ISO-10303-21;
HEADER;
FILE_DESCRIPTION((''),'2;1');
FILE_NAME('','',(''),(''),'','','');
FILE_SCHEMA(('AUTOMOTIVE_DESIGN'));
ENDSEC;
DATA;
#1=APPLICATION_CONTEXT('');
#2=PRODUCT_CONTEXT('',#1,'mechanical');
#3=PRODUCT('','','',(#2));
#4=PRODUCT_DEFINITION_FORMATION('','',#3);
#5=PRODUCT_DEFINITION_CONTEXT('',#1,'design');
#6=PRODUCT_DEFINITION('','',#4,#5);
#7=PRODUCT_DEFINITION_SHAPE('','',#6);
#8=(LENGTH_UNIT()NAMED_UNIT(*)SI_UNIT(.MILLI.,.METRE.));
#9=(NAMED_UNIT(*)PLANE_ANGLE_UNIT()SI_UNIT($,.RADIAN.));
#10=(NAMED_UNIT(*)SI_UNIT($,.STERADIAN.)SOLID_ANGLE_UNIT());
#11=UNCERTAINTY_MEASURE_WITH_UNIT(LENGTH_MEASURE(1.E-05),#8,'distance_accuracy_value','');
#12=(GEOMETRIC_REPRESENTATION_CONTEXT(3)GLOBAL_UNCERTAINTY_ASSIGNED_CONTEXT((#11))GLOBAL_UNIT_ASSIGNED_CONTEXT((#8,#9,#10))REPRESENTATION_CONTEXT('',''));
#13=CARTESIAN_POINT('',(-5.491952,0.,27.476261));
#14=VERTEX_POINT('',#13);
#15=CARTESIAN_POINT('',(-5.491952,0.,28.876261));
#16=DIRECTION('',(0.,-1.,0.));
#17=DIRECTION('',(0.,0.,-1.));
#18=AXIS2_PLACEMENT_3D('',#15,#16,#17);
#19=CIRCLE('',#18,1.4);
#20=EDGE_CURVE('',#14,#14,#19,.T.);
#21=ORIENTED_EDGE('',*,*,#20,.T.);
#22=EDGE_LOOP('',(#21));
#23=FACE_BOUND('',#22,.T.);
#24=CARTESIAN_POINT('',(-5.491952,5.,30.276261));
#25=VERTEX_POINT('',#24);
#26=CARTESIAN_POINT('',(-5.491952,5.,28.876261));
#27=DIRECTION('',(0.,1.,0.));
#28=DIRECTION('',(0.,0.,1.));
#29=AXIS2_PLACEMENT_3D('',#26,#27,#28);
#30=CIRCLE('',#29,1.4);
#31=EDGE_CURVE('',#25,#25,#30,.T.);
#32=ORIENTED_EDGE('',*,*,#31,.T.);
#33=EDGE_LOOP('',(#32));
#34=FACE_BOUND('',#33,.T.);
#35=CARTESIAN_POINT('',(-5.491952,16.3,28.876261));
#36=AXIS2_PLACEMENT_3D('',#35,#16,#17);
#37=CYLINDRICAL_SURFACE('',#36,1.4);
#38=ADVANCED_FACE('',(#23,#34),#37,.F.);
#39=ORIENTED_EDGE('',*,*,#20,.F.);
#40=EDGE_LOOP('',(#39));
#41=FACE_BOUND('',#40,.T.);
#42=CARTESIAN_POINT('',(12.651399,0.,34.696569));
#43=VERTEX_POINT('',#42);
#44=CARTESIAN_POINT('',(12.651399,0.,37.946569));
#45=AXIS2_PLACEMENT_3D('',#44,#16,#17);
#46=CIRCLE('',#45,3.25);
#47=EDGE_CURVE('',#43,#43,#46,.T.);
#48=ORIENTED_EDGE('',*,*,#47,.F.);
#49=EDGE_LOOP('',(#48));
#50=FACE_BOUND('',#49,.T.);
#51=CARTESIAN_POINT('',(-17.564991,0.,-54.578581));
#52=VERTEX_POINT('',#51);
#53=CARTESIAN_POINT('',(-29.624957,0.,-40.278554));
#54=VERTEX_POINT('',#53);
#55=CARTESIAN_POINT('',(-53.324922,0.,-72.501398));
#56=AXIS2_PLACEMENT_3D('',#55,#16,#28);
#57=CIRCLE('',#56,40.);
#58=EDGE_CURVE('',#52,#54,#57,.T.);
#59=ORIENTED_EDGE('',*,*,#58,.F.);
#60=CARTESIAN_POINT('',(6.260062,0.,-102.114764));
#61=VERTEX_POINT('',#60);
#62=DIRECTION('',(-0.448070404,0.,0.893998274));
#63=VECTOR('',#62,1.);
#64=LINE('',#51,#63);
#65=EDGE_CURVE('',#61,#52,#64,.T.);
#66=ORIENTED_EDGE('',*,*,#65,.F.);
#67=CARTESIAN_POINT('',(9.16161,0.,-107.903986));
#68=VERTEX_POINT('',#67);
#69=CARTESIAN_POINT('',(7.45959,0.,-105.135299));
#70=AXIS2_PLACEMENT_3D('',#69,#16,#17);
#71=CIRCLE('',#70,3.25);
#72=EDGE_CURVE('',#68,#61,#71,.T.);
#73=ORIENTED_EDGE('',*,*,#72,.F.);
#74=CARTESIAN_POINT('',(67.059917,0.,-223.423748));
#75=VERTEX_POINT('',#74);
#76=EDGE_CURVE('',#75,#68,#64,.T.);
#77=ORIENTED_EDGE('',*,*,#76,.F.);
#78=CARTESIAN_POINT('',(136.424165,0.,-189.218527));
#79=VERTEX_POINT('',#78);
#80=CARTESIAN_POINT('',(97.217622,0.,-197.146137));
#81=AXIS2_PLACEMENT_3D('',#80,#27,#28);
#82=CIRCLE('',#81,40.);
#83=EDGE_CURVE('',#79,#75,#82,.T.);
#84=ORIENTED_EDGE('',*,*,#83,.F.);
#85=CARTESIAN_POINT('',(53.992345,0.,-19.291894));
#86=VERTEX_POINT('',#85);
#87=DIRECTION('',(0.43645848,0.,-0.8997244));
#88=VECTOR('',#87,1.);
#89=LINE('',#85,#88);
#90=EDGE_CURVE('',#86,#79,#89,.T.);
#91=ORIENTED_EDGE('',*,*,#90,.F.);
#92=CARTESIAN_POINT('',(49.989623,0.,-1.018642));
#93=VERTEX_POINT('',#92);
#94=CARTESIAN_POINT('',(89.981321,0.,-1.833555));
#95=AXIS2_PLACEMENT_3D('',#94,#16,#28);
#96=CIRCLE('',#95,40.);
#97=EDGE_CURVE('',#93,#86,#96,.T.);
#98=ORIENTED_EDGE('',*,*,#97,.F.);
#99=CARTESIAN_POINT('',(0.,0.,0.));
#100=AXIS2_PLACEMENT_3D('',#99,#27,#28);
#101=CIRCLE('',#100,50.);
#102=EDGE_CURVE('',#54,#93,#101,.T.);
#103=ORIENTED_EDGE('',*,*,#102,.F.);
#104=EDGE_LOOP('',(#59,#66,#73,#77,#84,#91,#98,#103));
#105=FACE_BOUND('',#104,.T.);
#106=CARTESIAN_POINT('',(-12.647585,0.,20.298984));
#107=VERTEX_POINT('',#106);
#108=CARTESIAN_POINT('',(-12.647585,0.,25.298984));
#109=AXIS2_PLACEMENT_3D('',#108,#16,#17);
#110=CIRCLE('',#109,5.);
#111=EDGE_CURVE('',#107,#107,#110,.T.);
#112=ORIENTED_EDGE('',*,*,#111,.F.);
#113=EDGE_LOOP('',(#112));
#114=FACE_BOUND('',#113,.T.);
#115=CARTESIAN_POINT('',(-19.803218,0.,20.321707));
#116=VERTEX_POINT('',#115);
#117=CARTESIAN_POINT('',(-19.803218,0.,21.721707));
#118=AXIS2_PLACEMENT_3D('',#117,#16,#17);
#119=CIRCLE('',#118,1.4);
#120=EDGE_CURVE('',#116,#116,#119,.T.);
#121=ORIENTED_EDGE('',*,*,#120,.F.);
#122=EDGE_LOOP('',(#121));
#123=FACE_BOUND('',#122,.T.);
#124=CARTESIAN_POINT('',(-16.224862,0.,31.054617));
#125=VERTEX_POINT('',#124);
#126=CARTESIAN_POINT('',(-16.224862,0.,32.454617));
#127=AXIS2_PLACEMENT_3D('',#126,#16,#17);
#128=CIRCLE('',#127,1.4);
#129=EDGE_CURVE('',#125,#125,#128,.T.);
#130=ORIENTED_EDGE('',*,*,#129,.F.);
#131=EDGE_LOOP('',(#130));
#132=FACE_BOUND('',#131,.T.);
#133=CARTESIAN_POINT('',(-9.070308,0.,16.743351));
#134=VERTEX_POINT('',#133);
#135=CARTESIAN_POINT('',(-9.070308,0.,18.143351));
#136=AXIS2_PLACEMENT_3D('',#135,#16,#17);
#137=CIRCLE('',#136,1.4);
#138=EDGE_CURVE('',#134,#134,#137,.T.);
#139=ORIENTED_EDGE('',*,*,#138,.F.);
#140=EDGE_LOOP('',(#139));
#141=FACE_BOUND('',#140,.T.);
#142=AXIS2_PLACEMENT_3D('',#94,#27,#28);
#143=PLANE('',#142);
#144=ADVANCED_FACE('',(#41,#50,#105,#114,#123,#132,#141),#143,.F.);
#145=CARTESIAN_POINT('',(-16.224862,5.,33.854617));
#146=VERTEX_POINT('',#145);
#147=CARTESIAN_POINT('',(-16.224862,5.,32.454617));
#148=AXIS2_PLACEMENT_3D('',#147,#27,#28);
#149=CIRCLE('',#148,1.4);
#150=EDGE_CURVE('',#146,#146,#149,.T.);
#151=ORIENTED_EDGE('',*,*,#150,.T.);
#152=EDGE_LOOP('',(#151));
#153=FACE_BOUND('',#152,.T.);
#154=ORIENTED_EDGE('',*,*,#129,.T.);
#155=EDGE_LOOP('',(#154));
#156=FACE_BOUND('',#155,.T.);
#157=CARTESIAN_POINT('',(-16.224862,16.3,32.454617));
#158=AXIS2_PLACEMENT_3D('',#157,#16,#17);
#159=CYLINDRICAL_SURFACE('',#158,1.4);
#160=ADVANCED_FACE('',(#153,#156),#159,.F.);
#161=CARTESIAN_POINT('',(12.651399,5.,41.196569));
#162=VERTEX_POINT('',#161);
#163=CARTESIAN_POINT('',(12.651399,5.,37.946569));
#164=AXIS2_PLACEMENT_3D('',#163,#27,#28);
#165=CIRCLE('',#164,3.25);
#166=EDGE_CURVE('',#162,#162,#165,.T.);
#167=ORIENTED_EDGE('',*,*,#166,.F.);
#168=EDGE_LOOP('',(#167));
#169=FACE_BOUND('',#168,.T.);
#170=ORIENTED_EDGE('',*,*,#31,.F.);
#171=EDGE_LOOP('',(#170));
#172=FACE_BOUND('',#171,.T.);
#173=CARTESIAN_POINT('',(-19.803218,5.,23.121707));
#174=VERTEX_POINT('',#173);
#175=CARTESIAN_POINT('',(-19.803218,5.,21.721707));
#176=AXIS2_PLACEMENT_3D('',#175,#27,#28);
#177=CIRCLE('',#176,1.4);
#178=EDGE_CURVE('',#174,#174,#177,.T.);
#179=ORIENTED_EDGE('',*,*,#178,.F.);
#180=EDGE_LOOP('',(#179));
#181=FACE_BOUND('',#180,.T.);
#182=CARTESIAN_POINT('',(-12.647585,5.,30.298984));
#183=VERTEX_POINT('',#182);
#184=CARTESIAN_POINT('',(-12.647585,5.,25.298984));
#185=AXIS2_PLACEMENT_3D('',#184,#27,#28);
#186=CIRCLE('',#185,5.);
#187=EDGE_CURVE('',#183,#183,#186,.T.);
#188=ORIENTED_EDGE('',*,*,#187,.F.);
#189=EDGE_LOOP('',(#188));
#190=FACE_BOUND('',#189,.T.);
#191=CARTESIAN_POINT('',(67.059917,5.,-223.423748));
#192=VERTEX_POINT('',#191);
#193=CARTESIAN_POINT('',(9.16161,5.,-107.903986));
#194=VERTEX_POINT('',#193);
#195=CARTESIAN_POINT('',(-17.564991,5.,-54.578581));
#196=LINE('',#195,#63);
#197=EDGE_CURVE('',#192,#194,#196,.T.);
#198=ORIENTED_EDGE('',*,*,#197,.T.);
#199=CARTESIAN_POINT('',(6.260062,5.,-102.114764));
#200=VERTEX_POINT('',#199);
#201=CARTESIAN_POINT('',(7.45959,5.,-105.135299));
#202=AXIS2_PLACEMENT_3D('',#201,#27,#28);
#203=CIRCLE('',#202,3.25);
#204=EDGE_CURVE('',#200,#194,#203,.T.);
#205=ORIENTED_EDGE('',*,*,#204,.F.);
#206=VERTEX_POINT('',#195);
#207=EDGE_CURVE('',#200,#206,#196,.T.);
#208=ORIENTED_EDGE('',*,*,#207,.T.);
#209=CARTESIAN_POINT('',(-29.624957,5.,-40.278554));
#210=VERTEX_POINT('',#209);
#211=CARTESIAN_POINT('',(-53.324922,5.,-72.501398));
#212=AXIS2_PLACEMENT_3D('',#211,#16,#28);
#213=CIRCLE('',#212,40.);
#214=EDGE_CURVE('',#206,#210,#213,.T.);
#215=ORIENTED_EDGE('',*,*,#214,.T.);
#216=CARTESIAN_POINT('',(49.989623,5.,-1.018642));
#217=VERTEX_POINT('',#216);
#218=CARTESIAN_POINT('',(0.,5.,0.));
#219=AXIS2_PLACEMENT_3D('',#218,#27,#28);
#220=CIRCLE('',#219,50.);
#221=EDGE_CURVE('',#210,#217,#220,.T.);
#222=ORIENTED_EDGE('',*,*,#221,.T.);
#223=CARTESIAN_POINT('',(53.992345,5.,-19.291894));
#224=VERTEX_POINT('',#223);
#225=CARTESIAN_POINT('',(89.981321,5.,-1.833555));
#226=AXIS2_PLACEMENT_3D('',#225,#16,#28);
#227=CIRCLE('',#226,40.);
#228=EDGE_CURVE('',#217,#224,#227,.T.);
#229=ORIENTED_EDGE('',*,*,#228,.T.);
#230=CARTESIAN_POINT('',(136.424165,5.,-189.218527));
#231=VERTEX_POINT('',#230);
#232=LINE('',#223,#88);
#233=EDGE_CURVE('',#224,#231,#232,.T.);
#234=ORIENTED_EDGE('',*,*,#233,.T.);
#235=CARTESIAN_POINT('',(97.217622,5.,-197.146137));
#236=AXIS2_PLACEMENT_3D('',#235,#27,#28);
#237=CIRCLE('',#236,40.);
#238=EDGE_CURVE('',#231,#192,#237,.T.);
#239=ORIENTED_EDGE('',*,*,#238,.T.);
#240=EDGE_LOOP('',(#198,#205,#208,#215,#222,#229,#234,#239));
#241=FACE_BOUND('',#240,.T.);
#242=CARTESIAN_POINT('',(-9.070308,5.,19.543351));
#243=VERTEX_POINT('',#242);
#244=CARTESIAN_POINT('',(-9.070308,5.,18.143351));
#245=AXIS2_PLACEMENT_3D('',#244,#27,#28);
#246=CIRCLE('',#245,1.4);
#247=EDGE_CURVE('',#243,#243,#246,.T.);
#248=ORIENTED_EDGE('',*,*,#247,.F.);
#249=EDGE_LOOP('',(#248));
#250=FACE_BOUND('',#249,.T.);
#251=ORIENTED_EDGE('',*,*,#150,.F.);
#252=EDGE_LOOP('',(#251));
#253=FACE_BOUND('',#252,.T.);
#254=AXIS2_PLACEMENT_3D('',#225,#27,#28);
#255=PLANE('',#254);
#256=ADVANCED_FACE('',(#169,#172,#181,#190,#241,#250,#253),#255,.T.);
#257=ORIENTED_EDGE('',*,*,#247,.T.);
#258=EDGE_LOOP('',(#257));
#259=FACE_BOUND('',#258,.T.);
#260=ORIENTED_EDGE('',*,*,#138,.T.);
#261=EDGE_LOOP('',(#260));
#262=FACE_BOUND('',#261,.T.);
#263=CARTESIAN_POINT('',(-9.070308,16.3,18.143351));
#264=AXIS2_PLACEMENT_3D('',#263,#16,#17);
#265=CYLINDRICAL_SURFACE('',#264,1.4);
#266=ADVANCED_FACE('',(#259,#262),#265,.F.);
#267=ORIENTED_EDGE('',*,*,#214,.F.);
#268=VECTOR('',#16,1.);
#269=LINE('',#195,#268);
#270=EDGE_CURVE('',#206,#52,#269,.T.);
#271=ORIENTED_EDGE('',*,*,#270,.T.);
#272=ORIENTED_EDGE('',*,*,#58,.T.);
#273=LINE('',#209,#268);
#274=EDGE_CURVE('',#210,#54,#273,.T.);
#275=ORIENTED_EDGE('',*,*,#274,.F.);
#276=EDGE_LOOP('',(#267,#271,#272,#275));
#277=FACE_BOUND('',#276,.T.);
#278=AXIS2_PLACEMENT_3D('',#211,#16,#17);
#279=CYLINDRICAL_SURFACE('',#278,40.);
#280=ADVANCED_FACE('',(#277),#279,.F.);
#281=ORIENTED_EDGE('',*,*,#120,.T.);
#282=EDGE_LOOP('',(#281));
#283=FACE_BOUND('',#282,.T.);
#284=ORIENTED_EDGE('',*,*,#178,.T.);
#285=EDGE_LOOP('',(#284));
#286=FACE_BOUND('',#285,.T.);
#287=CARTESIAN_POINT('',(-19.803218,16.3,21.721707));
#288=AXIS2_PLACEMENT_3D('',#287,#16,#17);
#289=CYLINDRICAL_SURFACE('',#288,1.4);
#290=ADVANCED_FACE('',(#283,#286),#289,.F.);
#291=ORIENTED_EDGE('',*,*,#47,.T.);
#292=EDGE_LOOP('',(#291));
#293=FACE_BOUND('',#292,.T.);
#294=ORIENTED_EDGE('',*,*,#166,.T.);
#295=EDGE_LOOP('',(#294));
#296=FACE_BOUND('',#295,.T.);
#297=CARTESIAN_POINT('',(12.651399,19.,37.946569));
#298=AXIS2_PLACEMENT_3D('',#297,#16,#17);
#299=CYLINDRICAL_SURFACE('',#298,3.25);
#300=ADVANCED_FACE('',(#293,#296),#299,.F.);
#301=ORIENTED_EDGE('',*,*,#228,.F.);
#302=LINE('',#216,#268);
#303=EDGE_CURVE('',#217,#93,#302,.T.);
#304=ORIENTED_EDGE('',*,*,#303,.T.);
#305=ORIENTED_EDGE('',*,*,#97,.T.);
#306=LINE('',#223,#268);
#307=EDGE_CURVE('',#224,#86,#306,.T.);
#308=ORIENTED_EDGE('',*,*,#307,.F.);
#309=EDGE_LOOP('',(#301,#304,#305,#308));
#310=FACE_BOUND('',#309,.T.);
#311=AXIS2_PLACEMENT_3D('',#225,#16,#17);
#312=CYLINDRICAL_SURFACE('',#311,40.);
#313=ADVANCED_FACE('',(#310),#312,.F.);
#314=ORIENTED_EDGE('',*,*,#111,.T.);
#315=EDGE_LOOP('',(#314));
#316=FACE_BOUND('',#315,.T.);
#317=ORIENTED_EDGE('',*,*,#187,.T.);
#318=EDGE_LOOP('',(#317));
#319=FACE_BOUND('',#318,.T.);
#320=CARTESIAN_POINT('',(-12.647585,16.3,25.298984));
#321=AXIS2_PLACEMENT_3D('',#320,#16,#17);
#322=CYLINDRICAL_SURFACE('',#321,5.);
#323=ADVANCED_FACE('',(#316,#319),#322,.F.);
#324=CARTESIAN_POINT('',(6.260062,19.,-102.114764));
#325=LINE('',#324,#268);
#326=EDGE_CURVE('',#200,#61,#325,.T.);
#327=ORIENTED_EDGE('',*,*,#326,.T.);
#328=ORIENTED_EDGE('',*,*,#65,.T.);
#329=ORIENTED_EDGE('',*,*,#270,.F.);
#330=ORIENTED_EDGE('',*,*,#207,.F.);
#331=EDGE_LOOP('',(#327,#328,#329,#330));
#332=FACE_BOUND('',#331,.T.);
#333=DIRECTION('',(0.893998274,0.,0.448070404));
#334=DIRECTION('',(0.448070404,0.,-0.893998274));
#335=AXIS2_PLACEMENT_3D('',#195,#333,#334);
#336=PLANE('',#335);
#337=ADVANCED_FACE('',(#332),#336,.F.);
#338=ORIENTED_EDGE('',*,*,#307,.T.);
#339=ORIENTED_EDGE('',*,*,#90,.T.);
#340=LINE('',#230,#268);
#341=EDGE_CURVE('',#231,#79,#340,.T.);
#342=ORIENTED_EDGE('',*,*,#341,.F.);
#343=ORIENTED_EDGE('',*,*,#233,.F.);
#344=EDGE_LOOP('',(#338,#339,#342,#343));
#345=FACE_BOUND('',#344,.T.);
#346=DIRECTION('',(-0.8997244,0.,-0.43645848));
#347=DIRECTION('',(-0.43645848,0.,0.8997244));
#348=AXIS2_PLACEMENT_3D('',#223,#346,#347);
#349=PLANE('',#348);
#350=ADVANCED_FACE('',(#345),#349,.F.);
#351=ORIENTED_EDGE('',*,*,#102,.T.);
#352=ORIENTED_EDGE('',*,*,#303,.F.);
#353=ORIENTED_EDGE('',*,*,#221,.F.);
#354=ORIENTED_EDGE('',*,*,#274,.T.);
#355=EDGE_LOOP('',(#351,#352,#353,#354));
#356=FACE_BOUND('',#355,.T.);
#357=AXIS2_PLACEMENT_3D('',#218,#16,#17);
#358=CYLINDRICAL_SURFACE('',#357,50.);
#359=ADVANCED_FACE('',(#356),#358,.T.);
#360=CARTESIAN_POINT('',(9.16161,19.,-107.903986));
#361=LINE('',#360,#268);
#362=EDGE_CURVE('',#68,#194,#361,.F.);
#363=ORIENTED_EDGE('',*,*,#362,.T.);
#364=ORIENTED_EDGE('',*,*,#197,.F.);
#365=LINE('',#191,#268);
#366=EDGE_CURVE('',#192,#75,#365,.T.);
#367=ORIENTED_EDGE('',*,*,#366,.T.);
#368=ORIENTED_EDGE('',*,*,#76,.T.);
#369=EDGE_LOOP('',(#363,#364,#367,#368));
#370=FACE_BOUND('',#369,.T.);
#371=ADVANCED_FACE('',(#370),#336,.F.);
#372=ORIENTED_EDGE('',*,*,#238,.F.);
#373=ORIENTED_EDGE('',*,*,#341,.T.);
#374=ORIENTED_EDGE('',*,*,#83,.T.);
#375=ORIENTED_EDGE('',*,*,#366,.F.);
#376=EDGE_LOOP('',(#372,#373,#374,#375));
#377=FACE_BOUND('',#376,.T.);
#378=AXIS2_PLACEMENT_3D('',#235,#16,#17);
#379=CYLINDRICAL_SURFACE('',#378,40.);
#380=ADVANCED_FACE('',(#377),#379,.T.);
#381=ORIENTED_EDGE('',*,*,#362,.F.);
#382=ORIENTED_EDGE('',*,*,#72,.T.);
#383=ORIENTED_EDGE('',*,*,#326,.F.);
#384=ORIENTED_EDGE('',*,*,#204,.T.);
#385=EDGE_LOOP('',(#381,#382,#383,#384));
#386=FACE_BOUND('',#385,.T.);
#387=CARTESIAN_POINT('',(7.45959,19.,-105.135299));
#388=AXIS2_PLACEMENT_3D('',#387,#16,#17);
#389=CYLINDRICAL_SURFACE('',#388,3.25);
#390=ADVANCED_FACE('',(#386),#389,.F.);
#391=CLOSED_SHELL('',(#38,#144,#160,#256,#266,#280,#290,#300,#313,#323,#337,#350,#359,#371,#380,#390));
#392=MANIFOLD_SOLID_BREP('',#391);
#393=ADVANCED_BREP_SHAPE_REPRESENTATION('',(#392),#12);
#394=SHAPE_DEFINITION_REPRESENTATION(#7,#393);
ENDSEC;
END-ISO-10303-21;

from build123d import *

# Parameters (mm, degrees)
EXTRUDE_1_DEPTH     = 5
SKETCH_2_R          = 3.25
CUT_EXTRUDE_1_DEPTH = 19
SKETCH_3_R          = 1.4
SKETCH_3_R_2        = 5
CUT_EXTRUDE_3_DEPTH = 16.3


with BuildPart() as part:
    # 草图1 → 凸台-拉伸1 (new body)
    with BuildSketch(Plane(origin=(0, 0, 0), x_dir=(1, 0, 0), z_dir=(0, 1, 0))):
        with BuildLine():
            Line((-17.564991461, 54.578581424), (67.059916818, 223.42374787))
            ThreePointArc((67.059916818, 223.42374787), (114.908570146, 233.021342221), (136.424164559, 189.21852679))
            Line((136.424164559, 189.21852679), (53.992344711, 19.291894357))
            ThreePointArc((53.992344711, 19.291894357), (50.907753569, 10.392547603), (49.989622613, 1.018641763))
            ThreePointArc((49.989622613, 1.018641763), (-22.113685441, -44.844006469), (-29.624956892, 40.278554209))
            ThreePointArc((-29.624956892, 40.278554209), (-22.747275075, 46.713658557), (-17.564991461, 54.578581424))
        make_face()
    extrude(amount=EXTRUDE_1_DEPTH)

    # 草图2 → 切除-拉伸1 (cut)
    with BuildSketch(Plane.XZ):
        with Locations(Location((12.651398898, 37.946569093, 0), (0, 0, 270))):
            Circle(SKETCH_2_R)
        with Locations((81.596428252, -36.190269417)):
            Circle(SKETCH_2_R)
        with Locations((7.459589742, -105.135298771)):
            Circle(SKETCH_2_R)
        with Locations((-61.485439612, -30.998460261)):
            Circle(SKETCH_2_R)
    extrude(amount=-CUT_EXTRUDE_1_DEPTH, mode=Mode.SUBTRACT)

    # 草图3 → 切除-拉伸3 (cut)
    with BuildSketch(Plane.XZ):
        with Locations(Location((-16.224862373, 32.454617251, 0), (0, 0, 270))):
            Circle(SKETCH_3_R)
        with Locations(Location((-19.803218354, 21.72170672, 0), (0, 0, 270))):
            Circle(SKETCH_3_R)
        with Locations(Location((-12.647585098, 25.298983995, 0), (0, 0, 270))):
            Circle(SKETCH_3_R_2)
        with Locations(Location((-5.491951842, 28.876261271, 0), (0, 0, 270))):
            Circle(SKETCH_3_R)
        with Locations(Location((-9.070307822, 18.143350739, 0), (0, 0, 270))):
            Circle(SKETCH_3_R)
    extrude(amount=-CUT_EXTRUDE_3_DEPTH, mode=Mode.SUBTRACT)


solid = part.part
